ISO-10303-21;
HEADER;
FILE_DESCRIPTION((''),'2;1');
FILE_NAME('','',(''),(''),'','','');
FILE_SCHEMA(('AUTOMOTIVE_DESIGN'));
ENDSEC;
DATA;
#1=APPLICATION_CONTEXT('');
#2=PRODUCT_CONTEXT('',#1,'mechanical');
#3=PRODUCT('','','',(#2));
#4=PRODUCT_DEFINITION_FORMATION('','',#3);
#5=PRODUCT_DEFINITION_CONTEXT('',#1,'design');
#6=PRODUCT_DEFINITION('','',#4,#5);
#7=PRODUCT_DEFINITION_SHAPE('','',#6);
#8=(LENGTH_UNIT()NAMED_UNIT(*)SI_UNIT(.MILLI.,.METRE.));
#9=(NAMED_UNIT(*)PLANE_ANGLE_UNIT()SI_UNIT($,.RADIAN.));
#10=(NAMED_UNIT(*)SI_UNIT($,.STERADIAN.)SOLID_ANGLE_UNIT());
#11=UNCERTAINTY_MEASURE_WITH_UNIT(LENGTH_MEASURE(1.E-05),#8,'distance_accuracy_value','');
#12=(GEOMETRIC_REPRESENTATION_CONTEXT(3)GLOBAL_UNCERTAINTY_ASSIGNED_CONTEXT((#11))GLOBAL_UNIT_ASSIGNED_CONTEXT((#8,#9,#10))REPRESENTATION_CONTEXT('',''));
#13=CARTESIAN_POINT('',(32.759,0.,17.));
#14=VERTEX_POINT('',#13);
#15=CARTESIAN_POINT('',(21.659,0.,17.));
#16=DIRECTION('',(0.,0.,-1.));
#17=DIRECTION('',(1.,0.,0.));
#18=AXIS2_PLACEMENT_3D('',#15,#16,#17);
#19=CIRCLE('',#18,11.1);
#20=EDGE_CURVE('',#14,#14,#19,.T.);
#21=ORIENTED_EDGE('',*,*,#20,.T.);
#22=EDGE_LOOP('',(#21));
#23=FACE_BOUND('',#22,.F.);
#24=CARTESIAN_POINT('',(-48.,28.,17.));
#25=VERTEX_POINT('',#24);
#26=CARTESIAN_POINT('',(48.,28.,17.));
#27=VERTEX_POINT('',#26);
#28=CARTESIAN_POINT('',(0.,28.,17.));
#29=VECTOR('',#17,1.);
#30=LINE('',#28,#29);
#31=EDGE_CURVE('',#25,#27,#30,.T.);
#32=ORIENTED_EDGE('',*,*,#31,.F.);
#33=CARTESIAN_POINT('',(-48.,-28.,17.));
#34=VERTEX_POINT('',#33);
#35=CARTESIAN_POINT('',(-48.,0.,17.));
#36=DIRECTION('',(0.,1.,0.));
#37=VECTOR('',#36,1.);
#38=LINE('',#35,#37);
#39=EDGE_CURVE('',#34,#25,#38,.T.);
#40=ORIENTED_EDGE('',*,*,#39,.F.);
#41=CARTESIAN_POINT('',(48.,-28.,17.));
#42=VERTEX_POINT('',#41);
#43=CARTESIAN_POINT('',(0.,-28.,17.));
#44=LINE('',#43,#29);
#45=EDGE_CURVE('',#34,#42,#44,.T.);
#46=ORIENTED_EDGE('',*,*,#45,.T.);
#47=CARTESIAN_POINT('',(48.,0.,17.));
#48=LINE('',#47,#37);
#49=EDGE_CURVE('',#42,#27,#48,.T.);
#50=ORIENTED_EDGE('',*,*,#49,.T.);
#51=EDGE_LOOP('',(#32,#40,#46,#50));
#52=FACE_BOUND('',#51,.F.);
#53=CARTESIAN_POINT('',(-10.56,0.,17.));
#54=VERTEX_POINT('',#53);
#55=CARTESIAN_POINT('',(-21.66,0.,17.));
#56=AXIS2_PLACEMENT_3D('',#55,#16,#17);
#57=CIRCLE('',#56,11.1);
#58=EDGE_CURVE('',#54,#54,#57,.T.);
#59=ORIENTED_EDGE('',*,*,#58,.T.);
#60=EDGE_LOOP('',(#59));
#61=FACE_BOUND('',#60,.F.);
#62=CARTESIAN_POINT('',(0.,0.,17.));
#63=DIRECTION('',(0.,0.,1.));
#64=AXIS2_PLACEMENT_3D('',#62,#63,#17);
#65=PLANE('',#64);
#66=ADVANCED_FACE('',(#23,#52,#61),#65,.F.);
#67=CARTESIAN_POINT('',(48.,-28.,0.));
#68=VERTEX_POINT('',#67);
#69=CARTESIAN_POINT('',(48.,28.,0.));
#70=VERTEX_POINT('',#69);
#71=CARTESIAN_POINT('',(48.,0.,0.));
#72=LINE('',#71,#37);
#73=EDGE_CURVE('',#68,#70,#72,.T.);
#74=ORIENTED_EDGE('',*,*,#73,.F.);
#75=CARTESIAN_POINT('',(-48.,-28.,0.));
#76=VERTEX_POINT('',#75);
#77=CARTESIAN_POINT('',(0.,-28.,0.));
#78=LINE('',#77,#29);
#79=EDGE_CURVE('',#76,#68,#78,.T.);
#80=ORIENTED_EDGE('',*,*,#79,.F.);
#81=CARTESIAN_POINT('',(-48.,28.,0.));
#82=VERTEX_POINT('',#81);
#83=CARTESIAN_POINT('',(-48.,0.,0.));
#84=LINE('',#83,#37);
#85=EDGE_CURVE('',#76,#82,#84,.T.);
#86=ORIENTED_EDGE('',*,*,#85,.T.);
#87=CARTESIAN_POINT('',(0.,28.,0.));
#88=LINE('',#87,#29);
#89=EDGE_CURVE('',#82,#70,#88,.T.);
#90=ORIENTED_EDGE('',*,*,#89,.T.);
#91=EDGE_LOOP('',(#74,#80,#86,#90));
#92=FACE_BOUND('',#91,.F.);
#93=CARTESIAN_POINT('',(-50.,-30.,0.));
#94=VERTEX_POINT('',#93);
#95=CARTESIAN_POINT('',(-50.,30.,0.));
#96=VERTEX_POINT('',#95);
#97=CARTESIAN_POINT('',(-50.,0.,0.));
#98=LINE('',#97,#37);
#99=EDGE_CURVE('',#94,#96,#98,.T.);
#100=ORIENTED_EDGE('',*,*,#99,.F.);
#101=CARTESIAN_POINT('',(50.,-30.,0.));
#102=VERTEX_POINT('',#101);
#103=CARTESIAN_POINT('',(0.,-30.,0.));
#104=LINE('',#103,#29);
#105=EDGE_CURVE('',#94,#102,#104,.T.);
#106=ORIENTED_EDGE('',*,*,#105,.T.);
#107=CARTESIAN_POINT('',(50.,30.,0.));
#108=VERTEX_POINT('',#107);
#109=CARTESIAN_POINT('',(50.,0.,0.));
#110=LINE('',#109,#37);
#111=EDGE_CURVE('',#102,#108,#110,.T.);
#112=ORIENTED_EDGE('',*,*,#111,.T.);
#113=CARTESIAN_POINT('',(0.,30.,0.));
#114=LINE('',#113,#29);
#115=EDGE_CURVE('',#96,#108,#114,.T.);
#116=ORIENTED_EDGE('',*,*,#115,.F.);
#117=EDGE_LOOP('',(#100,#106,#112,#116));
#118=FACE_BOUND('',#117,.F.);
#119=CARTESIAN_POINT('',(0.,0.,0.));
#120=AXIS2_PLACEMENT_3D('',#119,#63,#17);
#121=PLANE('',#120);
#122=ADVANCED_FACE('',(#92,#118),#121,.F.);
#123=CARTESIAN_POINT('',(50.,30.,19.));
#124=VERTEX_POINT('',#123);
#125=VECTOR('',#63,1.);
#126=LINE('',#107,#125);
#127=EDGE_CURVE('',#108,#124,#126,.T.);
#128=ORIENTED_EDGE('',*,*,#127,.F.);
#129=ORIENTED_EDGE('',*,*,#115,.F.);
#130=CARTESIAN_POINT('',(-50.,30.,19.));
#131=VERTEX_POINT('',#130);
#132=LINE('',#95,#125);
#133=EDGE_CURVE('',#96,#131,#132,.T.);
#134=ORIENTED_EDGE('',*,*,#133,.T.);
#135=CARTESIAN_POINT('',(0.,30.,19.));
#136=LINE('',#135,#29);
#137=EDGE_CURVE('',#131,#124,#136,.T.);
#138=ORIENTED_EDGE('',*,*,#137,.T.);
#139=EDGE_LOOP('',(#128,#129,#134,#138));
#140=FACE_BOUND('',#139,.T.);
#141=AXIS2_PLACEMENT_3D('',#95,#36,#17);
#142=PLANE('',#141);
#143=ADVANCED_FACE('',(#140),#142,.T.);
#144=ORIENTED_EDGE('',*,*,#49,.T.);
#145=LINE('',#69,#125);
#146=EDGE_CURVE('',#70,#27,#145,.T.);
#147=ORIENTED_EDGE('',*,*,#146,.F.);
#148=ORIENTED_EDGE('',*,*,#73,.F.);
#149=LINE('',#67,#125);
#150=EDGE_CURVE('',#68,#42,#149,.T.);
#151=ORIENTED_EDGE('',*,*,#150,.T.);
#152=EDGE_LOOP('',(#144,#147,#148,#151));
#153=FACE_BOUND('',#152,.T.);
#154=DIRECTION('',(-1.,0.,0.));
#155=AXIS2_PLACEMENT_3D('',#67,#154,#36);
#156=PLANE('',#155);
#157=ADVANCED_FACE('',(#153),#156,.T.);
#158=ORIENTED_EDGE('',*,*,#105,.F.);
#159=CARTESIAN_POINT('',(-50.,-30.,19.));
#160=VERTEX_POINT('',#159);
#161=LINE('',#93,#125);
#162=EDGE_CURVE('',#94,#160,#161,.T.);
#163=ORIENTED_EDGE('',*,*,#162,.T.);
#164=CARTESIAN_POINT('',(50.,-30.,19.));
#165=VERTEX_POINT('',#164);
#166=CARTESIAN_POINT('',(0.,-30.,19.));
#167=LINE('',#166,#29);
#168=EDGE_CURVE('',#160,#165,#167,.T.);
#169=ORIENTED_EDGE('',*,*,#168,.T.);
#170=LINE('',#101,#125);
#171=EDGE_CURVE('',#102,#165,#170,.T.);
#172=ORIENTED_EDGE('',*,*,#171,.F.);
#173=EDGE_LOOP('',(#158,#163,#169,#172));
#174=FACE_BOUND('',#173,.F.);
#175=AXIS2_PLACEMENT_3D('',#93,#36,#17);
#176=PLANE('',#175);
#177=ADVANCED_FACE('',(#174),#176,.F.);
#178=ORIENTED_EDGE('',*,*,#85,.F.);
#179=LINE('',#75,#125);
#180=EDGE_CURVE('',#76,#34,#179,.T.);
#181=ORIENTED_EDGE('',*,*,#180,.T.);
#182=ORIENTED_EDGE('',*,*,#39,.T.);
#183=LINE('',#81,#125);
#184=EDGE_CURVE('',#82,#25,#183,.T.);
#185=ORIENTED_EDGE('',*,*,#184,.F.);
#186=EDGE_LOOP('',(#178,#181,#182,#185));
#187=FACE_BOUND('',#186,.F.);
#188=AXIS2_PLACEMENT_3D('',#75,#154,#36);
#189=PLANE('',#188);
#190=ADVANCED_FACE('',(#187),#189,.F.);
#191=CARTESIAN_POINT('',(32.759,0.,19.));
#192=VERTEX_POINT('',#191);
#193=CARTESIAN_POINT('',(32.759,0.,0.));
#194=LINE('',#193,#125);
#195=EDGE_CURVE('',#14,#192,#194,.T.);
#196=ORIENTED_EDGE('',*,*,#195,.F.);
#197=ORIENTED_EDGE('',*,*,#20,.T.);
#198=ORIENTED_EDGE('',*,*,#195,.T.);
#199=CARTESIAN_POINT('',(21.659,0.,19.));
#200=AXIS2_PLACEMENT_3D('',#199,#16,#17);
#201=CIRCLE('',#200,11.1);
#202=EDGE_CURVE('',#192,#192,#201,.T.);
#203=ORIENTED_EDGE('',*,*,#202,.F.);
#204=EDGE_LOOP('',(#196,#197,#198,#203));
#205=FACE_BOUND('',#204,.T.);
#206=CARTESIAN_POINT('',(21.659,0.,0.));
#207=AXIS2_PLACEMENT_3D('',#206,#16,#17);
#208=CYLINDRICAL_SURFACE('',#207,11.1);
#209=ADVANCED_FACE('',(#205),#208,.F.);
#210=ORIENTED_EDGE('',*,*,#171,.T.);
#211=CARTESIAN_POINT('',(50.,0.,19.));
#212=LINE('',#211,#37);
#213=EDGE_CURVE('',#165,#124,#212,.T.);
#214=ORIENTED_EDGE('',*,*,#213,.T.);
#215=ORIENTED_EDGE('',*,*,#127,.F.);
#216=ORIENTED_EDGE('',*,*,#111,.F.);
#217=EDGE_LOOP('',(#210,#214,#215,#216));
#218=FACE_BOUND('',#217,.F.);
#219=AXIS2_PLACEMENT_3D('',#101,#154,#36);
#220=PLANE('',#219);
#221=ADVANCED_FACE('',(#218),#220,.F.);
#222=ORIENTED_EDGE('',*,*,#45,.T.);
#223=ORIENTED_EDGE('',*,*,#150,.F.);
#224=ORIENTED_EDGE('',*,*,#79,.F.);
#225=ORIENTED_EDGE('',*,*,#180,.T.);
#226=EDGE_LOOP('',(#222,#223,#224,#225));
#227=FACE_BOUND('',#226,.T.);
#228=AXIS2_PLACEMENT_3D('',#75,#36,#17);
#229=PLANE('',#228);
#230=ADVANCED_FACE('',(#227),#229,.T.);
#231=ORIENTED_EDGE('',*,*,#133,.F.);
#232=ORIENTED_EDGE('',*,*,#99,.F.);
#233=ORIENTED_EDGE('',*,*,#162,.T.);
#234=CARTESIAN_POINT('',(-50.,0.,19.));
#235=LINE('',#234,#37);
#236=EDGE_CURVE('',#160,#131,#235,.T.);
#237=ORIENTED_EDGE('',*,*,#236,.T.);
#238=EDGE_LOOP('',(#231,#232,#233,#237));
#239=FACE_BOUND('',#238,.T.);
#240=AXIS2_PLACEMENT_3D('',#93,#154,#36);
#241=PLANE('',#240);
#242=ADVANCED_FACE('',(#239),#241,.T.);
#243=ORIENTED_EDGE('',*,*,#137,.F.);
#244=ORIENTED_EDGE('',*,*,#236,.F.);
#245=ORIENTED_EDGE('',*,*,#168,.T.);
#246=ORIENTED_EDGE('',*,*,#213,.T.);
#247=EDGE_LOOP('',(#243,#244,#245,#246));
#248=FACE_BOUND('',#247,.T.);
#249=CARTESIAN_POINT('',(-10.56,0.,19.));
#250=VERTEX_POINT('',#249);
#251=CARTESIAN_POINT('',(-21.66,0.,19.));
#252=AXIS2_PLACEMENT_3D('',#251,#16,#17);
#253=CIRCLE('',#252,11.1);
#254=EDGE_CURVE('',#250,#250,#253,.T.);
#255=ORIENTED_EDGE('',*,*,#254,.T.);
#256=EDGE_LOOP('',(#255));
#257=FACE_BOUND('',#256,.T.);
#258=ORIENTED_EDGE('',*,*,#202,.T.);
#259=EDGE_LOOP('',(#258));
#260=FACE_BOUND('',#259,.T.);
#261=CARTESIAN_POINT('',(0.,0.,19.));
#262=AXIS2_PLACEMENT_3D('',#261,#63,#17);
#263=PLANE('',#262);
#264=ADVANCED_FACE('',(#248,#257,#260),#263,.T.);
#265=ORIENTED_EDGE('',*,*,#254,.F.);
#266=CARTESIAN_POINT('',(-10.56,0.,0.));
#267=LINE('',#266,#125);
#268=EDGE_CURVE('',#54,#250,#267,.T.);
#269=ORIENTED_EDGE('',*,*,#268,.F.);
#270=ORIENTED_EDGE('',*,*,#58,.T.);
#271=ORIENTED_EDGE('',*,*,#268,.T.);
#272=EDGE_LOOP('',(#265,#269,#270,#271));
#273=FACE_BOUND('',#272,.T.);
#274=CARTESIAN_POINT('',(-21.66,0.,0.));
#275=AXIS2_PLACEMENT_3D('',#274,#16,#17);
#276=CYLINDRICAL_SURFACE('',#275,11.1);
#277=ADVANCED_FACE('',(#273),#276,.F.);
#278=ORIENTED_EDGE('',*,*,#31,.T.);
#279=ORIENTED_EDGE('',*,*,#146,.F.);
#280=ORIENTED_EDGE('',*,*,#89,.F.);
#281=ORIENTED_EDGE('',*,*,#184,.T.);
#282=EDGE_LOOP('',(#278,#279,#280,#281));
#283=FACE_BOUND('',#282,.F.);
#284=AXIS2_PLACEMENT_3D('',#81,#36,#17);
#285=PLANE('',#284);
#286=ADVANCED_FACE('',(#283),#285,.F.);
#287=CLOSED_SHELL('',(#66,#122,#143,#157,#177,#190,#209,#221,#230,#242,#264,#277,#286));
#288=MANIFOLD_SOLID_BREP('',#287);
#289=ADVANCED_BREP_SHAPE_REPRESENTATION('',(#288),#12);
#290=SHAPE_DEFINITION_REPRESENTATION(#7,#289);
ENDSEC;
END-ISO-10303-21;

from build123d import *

# Parameters (mm, degrees)
SKETCH_W        = 100
SKETCH_H        = 60
PAD_DEPTH       = 19
SKETCH001_W     = 96
SKETCH001_H     = 56
POCKET_DEPTH    = 17
SKETCH002_R     = 11.1
POCKET001_DEPTH = 20
SKETCH003_R     = 11.1
POCKET002_DEPTH = 20


with BuildPart() as part:
    # Sketch → Pad (new body)
    with BuildSketch(Plane.XY):
        Rectangle(SKETCH_W, SKETCH_H)
    extrude(amount=PAD_DEPTH)

    # Sketch001 → Pocket (cut)
    with BuildSketch(Plane.XY):
        Rectangle(SKETCH001_W, SKETCH001_H)
    extrude(amount=POCKET_DEPTH, mode=Mode.SUBTRACT)

    # Sketch002 → Pocket001 (cut)
    with BuildSketch(Plane.XY):
        with Locations((-21.66, 0)):
            Circle(SKETCH002_R)
    extrude(amount=POCKET001_DEPTH, mode=Mode.SUBTRACT)

    # Sketch003 → Pocket002 (cut)
    with BuildSketch(Plane.XY):
        with Locations((21.659, 0)):
            Circle(SKETCH003_R)
    extrude(amount=POCKET002_DEPTH, mode=Mode.SUBTRACT)


solid = part.part
